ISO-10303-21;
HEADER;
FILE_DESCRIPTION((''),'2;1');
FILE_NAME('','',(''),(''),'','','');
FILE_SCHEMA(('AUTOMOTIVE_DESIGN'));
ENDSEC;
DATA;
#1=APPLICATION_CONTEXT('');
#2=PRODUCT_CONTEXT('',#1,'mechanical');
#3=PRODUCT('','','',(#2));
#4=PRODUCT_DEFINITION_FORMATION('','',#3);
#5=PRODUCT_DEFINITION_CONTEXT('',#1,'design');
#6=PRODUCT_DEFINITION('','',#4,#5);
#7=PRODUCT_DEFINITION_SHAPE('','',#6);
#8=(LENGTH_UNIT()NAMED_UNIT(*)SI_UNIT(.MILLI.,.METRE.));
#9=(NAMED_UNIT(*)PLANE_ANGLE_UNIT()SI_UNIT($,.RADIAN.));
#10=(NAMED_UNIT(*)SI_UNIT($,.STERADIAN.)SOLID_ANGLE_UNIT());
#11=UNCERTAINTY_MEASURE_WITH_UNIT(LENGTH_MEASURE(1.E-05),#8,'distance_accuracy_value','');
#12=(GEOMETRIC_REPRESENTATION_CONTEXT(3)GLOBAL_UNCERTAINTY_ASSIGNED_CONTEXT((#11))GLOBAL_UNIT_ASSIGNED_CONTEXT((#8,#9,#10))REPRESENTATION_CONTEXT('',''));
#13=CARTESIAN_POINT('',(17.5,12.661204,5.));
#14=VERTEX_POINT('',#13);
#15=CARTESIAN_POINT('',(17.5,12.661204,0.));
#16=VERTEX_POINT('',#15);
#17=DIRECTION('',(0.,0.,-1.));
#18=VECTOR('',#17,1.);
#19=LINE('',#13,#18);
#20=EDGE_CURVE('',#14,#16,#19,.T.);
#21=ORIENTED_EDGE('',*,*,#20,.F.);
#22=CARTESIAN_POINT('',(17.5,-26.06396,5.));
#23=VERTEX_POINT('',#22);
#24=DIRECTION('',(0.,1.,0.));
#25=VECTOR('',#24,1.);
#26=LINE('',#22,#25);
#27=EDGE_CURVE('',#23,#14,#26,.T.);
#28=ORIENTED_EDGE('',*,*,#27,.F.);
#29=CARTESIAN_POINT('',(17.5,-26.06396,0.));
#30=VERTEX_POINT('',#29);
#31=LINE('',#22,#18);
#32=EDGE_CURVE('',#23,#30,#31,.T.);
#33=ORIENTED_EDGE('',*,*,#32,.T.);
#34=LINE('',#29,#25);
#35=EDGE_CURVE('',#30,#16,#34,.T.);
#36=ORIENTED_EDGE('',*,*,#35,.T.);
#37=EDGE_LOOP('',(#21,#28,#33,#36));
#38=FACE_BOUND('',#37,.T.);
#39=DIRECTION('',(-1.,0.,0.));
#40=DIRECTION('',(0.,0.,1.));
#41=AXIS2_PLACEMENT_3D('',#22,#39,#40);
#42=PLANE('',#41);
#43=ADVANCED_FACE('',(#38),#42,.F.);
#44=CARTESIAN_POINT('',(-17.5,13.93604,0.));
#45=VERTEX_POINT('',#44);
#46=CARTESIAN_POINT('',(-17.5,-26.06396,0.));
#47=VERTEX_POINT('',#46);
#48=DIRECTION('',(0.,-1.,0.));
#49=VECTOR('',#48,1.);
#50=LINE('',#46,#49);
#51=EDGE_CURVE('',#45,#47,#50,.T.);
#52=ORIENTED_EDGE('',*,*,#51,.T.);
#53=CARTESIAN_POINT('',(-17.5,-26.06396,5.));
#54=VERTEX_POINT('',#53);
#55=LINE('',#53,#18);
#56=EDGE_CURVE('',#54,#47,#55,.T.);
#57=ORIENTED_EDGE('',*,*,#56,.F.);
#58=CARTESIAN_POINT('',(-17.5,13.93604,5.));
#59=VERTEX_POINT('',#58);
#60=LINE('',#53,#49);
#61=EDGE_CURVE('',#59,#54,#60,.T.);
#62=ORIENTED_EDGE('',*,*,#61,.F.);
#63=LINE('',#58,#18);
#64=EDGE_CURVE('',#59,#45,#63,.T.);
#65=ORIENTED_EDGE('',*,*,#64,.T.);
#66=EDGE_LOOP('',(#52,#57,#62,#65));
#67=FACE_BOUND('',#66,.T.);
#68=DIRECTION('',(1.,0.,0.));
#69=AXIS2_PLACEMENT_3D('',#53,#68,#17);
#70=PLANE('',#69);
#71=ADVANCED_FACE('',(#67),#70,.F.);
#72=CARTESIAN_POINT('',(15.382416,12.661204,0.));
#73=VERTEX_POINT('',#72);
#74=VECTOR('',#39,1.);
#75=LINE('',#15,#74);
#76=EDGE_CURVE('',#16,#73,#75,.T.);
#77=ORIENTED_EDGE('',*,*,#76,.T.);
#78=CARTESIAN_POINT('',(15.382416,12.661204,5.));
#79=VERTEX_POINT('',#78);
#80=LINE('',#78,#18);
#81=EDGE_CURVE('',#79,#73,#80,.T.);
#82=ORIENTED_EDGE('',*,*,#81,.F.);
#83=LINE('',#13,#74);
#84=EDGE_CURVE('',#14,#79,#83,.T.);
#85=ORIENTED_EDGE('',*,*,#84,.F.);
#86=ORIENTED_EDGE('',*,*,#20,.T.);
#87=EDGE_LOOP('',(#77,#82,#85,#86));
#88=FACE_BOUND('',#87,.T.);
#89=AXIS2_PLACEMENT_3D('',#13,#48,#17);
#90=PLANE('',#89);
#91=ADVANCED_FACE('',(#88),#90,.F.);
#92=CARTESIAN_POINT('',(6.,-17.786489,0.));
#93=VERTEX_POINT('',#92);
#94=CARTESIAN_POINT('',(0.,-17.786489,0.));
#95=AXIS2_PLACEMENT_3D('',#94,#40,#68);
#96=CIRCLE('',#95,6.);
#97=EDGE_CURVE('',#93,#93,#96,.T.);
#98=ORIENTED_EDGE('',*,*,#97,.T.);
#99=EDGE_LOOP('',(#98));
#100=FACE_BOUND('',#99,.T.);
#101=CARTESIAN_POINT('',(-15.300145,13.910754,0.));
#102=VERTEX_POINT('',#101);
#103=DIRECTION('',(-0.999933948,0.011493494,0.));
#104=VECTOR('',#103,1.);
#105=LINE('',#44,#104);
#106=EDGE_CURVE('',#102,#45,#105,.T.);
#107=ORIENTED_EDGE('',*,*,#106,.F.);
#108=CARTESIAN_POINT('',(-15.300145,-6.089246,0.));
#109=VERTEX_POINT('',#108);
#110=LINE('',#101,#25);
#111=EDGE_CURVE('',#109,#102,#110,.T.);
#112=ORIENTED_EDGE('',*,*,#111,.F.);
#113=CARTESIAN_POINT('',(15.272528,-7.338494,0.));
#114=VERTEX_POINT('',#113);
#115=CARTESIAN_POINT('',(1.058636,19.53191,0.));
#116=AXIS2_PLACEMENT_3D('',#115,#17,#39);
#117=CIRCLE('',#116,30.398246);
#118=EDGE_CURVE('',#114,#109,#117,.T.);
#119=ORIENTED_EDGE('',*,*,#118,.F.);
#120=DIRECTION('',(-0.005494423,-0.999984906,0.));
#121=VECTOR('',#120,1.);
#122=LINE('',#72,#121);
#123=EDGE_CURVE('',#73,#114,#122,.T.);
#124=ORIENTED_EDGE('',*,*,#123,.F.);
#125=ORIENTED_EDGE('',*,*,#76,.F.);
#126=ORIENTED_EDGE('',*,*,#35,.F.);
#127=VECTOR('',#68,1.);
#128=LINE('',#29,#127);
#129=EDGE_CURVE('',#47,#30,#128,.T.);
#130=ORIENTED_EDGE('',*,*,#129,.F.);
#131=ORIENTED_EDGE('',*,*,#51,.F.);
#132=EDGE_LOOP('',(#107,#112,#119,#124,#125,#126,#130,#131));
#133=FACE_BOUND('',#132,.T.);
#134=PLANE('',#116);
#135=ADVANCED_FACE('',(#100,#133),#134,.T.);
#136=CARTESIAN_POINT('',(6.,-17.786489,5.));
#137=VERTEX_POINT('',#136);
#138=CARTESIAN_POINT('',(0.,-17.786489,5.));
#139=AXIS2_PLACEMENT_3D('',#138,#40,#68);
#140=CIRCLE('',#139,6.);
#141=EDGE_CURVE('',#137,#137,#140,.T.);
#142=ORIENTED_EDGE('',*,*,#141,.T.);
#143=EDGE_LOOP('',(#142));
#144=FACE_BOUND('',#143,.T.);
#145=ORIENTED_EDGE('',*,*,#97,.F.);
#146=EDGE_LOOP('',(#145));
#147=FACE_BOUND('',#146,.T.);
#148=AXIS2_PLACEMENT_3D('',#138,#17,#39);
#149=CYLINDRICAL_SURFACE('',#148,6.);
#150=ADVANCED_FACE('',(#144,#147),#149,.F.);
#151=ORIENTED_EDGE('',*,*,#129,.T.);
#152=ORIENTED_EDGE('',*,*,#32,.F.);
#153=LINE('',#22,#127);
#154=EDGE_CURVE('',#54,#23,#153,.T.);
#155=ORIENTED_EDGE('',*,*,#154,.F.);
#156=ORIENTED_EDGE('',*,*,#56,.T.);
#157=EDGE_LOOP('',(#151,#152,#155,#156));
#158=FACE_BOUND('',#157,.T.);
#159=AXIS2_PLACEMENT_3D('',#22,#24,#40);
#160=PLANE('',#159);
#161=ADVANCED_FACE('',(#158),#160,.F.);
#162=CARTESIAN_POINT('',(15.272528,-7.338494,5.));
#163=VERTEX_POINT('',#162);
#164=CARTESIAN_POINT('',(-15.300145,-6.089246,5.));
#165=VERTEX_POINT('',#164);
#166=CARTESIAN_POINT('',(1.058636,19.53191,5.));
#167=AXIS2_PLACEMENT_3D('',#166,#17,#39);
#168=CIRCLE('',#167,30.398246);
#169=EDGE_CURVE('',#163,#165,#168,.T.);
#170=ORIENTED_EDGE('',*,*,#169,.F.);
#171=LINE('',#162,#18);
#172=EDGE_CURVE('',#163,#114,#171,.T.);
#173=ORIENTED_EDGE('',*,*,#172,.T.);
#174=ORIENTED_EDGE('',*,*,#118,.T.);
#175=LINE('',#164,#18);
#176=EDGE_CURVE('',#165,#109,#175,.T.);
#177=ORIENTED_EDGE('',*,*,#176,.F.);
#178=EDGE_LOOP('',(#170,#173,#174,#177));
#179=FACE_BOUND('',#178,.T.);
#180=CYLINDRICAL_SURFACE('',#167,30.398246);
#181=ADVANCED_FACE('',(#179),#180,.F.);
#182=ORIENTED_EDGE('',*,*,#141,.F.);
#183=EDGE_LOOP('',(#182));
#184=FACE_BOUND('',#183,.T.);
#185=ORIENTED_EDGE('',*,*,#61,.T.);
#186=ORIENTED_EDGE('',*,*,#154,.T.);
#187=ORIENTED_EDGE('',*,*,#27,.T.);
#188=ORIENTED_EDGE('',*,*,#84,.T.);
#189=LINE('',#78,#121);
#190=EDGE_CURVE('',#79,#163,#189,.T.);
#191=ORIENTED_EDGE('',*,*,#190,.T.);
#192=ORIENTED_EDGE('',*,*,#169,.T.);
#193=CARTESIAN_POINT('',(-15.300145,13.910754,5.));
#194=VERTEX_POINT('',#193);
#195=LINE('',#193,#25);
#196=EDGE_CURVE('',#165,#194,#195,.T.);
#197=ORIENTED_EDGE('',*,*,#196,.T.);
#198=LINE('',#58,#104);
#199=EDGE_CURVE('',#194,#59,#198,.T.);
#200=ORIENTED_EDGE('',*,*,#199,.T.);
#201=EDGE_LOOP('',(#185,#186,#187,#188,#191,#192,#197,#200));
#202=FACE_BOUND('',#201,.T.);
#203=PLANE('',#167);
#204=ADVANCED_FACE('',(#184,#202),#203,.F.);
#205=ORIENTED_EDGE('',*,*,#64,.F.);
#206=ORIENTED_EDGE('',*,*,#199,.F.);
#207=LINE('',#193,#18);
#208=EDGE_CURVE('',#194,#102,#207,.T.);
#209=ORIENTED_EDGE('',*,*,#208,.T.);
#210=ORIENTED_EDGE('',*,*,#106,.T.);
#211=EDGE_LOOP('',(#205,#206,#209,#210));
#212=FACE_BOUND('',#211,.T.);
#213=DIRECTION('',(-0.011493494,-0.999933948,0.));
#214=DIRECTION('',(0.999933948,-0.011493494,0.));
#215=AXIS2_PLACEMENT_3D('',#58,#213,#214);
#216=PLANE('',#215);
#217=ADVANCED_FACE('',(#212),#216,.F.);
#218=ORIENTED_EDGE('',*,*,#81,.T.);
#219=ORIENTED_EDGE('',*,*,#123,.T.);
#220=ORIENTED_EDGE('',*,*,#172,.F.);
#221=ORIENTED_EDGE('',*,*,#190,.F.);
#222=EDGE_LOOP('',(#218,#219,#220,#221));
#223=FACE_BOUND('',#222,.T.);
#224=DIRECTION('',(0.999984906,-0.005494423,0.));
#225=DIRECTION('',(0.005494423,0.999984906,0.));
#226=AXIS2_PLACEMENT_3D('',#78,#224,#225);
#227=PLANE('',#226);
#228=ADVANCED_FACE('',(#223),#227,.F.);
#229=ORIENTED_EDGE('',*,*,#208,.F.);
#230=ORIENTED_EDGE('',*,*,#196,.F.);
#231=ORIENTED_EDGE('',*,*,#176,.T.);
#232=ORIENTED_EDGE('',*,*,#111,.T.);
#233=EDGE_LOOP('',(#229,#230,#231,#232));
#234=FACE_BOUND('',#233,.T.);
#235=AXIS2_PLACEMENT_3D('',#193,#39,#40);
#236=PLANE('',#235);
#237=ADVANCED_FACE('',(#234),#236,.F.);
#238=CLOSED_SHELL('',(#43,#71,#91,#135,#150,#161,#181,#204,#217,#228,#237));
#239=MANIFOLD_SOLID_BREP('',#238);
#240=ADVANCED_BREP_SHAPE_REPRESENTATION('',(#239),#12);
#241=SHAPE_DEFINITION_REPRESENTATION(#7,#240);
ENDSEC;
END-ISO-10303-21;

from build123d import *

# Parameters (mm, degrees)
SKETCH1_R           = 6
BOSS_EXTRUDE1_DEPTH = 5


with BuildPart() as part:
    # Sketch1 → Boss-Extrude1 (new body)
    with BuildSketch(Plane.XY):
        with BuildLine():
            Line((-17.5, 13.936040182), (-15.300145315, 13.910754496))
            Line((-15.300145315, 13.910754496), (-15.300145315, -6.089245504))
            ThreePointArc((-15.300145315, -6.089245504), (-0.182449411, -10.840989572), (15.272527887, -7.338493622))
            Line((15.272527887, -7.338493622), (15.382416338, 12.661204489))
            Line((15.382416338, 12.661204489), (17.5, 12.661204489))
            Line((17.5, 12.661204489), (17.5, -26.063959818))
            Line((17.5, -26.063959818), (-17.5, -26.063959818))
            Line((-17.5, -26.063959818), (-17.5, 13.936040182))
        make_face()
        with Locations((0, -17.7864885)):
            Circle(SKETCH1_R, mode=Mode.SUBTRACT)
    extrude(amount=BOSS_EXTRUDE1_DEPTH)


solid = part.part
